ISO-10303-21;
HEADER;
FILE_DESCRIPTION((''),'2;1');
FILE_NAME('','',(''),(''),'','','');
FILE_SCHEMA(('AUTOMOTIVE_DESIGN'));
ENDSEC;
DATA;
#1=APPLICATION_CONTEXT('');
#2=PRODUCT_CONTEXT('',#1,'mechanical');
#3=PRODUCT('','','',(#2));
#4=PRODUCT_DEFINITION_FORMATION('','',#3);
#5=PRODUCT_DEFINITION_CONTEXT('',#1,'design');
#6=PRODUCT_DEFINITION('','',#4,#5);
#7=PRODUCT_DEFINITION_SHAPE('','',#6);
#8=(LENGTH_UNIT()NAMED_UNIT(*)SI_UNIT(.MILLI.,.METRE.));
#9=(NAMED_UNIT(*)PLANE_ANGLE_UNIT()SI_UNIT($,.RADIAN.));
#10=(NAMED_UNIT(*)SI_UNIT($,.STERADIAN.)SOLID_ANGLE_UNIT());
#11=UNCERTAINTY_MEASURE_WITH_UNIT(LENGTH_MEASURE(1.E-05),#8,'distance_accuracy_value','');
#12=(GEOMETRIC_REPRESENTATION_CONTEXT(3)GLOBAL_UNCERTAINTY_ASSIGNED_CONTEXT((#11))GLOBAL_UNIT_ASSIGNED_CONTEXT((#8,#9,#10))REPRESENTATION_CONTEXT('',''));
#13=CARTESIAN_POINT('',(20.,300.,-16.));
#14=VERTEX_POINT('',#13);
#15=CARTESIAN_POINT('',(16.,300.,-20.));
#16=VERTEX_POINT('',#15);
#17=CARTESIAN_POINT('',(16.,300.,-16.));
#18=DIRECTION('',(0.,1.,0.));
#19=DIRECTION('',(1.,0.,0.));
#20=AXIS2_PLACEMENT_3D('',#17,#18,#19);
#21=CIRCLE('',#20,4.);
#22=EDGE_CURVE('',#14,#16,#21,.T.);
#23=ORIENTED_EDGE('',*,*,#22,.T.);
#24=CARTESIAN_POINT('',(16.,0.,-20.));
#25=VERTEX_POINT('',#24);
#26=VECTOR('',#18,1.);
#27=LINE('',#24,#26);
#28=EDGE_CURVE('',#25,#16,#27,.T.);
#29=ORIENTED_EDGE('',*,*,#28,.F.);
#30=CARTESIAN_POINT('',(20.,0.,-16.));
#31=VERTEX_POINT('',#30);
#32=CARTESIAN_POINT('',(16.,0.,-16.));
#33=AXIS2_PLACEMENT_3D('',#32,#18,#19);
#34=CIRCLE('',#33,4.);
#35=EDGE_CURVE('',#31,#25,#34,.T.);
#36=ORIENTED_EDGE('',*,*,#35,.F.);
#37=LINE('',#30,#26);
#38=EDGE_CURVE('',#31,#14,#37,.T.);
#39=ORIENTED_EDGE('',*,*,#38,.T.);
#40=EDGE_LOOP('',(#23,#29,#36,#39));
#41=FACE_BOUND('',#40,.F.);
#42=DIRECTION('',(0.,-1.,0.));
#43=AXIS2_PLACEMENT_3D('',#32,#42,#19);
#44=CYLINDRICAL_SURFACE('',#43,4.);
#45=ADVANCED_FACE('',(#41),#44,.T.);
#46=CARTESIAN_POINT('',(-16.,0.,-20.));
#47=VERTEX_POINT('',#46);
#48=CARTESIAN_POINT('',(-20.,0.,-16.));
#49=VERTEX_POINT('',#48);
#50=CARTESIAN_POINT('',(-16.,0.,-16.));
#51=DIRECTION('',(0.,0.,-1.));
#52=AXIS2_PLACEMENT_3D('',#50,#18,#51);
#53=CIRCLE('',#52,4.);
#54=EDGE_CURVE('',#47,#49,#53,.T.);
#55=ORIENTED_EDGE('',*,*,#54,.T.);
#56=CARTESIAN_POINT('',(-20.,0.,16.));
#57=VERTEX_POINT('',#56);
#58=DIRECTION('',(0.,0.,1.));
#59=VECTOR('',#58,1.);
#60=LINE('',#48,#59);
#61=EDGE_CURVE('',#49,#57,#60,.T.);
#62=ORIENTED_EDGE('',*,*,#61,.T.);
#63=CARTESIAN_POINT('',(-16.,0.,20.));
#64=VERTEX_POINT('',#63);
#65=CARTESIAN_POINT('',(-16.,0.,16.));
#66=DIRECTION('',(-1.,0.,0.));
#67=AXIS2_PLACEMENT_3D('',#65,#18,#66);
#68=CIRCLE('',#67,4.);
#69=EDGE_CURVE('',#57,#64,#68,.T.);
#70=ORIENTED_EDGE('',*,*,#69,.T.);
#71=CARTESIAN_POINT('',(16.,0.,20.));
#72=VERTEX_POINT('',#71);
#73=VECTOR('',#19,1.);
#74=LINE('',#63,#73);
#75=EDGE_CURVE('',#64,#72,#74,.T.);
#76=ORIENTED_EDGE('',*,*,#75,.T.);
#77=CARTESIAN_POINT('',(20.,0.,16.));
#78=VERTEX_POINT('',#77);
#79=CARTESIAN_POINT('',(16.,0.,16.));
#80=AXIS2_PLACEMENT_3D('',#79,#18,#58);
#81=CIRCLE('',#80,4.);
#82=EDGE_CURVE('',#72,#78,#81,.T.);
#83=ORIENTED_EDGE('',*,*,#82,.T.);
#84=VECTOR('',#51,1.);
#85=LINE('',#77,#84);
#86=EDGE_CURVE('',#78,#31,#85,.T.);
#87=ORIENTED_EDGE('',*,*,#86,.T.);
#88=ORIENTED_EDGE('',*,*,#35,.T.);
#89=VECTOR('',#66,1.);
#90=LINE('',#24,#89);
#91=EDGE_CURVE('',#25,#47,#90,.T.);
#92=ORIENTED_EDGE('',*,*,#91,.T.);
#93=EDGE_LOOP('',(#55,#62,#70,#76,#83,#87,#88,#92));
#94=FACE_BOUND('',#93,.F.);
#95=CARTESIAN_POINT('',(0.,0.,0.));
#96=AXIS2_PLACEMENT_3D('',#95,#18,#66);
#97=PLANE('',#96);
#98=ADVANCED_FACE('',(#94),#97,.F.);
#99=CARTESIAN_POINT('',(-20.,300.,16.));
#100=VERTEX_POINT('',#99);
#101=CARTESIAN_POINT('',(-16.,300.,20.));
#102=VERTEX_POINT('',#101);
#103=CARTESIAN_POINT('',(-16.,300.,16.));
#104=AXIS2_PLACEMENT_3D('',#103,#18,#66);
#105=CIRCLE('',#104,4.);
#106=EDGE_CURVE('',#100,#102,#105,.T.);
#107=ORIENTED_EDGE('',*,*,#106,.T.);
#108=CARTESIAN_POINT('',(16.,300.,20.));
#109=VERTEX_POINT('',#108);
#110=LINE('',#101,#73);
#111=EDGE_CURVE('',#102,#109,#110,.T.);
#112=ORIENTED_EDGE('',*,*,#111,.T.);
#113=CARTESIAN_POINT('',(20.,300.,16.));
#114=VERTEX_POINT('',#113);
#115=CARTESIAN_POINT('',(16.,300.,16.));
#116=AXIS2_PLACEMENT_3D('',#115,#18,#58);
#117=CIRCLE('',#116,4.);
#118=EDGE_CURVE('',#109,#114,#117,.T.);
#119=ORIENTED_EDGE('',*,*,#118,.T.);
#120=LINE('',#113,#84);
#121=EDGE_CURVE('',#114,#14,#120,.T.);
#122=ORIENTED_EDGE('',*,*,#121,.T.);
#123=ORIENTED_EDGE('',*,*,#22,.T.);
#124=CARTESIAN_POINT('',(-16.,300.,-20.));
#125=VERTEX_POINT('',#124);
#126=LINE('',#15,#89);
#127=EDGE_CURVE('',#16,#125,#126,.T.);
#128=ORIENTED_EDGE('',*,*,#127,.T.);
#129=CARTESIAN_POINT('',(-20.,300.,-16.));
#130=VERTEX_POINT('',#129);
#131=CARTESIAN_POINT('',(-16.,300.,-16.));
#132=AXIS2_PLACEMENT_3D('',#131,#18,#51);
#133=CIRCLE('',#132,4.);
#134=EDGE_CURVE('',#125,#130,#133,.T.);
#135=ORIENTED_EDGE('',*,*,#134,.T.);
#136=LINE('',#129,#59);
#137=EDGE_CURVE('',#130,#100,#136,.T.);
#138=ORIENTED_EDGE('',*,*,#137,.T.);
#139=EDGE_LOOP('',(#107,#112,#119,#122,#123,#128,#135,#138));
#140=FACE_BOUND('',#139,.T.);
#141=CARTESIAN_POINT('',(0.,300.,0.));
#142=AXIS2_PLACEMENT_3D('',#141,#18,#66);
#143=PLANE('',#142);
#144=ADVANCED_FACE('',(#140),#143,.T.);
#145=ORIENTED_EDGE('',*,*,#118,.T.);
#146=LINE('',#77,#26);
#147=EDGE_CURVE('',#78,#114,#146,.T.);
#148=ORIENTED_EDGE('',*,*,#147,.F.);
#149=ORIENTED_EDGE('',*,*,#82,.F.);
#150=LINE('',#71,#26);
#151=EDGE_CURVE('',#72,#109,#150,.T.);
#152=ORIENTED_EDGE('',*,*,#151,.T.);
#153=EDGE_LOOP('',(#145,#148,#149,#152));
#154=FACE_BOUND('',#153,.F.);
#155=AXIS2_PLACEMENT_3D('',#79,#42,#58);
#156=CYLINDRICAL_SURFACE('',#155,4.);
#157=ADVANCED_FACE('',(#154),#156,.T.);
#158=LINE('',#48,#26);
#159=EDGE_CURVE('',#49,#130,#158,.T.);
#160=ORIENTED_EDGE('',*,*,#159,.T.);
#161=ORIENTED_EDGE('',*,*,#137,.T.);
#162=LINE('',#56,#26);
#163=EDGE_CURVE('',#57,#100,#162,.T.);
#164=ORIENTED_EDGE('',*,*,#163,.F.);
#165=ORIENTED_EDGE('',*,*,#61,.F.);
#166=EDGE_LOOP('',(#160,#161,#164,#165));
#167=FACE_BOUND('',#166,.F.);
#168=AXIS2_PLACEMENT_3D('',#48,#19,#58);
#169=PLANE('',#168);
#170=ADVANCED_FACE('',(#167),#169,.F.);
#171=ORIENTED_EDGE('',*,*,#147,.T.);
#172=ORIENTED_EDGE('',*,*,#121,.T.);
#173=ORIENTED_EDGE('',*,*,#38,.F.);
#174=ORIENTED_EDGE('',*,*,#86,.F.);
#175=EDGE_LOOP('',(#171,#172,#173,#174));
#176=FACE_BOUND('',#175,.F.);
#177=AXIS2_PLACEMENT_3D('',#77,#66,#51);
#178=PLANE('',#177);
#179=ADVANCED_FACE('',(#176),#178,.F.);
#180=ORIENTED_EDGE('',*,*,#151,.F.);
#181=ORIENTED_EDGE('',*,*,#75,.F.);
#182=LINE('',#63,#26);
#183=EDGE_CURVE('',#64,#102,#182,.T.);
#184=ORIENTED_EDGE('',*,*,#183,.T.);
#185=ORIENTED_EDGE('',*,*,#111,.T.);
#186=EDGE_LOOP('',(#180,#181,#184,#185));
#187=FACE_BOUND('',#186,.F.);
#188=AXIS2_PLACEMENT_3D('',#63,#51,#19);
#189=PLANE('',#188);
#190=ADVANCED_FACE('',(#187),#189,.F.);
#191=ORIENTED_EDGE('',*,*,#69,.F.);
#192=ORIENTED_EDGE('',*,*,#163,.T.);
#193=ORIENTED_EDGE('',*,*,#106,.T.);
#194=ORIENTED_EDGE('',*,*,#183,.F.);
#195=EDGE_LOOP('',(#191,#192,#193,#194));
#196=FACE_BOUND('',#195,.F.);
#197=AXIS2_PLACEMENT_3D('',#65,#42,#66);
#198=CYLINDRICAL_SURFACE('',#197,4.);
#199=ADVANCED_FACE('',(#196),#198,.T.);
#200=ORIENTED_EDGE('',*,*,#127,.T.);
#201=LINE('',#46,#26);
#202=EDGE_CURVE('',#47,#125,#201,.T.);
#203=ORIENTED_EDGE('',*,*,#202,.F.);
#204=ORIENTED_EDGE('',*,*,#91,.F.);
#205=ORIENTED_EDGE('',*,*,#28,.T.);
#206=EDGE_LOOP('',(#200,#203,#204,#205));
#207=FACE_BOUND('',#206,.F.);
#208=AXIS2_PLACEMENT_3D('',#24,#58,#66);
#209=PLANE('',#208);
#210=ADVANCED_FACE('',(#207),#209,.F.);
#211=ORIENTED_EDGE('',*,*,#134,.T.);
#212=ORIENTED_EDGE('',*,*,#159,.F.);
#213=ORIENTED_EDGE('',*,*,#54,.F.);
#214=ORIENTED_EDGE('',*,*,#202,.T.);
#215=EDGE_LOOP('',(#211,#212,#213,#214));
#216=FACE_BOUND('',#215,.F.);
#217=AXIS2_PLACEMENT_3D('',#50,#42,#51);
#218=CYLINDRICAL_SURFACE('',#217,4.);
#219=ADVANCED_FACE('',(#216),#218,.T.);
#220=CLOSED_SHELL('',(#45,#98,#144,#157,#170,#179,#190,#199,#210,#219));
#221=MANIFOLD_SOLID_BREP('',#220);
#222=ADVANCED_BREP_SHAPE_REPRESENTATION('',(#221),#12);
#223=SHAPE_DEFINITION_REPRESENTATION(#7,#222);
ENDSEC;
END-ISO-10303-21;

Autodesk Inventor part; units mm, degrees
ref_plane "YZ Plane" through (0, 0, 0) normal (1, 0, 0) x (0, 1, 0)
ref_plane "XZ Plane" through (0, 0, 0) normal (0, 1, 0) x (-1, 0, 0)
ref_plane "XY Plane" through (0, 0, 0) normal (0, 0, 1) x (1, 0, 0)
sketch "Sketch1" plane through (0, 0, 0) normal (0, 1, 0) x (-1, 0, 0)
  line L0 (0, 12.4728) -> (0, -12.4728) construction
  line L1 (2.135, 0) -> (-2.135, 0) construction
  line L2 (16, 20) -> (-16, 20)
  line L3 (-20, 16) -> (-20, -16)
  line L4 (-16, -20) -> (16, -20)
  line L5 (20, -16) -> (20, 16)
  arc A0 (-16, 20) -> (-20, 16) centre (-16, 16) ccw
  arc A1 (-20, -16) -> (-16, -20) centre (-16, -16) ccw
  arc A2 (16, -20) -> (20, -16) centre (16, -16) ccw
  arc A3 (20, 16) -> (16, 20) centre (16, 16) ccw
  point P0 (0, 0)
  point P1 (0, 0)
  dimension "d1" = 4
  dimension "d2" = 4
  dimension "d3" = 40
extrude "Extrusion1" add sketch "Sketch1" along normal blind 300
properties part number "item40x40_1000"
